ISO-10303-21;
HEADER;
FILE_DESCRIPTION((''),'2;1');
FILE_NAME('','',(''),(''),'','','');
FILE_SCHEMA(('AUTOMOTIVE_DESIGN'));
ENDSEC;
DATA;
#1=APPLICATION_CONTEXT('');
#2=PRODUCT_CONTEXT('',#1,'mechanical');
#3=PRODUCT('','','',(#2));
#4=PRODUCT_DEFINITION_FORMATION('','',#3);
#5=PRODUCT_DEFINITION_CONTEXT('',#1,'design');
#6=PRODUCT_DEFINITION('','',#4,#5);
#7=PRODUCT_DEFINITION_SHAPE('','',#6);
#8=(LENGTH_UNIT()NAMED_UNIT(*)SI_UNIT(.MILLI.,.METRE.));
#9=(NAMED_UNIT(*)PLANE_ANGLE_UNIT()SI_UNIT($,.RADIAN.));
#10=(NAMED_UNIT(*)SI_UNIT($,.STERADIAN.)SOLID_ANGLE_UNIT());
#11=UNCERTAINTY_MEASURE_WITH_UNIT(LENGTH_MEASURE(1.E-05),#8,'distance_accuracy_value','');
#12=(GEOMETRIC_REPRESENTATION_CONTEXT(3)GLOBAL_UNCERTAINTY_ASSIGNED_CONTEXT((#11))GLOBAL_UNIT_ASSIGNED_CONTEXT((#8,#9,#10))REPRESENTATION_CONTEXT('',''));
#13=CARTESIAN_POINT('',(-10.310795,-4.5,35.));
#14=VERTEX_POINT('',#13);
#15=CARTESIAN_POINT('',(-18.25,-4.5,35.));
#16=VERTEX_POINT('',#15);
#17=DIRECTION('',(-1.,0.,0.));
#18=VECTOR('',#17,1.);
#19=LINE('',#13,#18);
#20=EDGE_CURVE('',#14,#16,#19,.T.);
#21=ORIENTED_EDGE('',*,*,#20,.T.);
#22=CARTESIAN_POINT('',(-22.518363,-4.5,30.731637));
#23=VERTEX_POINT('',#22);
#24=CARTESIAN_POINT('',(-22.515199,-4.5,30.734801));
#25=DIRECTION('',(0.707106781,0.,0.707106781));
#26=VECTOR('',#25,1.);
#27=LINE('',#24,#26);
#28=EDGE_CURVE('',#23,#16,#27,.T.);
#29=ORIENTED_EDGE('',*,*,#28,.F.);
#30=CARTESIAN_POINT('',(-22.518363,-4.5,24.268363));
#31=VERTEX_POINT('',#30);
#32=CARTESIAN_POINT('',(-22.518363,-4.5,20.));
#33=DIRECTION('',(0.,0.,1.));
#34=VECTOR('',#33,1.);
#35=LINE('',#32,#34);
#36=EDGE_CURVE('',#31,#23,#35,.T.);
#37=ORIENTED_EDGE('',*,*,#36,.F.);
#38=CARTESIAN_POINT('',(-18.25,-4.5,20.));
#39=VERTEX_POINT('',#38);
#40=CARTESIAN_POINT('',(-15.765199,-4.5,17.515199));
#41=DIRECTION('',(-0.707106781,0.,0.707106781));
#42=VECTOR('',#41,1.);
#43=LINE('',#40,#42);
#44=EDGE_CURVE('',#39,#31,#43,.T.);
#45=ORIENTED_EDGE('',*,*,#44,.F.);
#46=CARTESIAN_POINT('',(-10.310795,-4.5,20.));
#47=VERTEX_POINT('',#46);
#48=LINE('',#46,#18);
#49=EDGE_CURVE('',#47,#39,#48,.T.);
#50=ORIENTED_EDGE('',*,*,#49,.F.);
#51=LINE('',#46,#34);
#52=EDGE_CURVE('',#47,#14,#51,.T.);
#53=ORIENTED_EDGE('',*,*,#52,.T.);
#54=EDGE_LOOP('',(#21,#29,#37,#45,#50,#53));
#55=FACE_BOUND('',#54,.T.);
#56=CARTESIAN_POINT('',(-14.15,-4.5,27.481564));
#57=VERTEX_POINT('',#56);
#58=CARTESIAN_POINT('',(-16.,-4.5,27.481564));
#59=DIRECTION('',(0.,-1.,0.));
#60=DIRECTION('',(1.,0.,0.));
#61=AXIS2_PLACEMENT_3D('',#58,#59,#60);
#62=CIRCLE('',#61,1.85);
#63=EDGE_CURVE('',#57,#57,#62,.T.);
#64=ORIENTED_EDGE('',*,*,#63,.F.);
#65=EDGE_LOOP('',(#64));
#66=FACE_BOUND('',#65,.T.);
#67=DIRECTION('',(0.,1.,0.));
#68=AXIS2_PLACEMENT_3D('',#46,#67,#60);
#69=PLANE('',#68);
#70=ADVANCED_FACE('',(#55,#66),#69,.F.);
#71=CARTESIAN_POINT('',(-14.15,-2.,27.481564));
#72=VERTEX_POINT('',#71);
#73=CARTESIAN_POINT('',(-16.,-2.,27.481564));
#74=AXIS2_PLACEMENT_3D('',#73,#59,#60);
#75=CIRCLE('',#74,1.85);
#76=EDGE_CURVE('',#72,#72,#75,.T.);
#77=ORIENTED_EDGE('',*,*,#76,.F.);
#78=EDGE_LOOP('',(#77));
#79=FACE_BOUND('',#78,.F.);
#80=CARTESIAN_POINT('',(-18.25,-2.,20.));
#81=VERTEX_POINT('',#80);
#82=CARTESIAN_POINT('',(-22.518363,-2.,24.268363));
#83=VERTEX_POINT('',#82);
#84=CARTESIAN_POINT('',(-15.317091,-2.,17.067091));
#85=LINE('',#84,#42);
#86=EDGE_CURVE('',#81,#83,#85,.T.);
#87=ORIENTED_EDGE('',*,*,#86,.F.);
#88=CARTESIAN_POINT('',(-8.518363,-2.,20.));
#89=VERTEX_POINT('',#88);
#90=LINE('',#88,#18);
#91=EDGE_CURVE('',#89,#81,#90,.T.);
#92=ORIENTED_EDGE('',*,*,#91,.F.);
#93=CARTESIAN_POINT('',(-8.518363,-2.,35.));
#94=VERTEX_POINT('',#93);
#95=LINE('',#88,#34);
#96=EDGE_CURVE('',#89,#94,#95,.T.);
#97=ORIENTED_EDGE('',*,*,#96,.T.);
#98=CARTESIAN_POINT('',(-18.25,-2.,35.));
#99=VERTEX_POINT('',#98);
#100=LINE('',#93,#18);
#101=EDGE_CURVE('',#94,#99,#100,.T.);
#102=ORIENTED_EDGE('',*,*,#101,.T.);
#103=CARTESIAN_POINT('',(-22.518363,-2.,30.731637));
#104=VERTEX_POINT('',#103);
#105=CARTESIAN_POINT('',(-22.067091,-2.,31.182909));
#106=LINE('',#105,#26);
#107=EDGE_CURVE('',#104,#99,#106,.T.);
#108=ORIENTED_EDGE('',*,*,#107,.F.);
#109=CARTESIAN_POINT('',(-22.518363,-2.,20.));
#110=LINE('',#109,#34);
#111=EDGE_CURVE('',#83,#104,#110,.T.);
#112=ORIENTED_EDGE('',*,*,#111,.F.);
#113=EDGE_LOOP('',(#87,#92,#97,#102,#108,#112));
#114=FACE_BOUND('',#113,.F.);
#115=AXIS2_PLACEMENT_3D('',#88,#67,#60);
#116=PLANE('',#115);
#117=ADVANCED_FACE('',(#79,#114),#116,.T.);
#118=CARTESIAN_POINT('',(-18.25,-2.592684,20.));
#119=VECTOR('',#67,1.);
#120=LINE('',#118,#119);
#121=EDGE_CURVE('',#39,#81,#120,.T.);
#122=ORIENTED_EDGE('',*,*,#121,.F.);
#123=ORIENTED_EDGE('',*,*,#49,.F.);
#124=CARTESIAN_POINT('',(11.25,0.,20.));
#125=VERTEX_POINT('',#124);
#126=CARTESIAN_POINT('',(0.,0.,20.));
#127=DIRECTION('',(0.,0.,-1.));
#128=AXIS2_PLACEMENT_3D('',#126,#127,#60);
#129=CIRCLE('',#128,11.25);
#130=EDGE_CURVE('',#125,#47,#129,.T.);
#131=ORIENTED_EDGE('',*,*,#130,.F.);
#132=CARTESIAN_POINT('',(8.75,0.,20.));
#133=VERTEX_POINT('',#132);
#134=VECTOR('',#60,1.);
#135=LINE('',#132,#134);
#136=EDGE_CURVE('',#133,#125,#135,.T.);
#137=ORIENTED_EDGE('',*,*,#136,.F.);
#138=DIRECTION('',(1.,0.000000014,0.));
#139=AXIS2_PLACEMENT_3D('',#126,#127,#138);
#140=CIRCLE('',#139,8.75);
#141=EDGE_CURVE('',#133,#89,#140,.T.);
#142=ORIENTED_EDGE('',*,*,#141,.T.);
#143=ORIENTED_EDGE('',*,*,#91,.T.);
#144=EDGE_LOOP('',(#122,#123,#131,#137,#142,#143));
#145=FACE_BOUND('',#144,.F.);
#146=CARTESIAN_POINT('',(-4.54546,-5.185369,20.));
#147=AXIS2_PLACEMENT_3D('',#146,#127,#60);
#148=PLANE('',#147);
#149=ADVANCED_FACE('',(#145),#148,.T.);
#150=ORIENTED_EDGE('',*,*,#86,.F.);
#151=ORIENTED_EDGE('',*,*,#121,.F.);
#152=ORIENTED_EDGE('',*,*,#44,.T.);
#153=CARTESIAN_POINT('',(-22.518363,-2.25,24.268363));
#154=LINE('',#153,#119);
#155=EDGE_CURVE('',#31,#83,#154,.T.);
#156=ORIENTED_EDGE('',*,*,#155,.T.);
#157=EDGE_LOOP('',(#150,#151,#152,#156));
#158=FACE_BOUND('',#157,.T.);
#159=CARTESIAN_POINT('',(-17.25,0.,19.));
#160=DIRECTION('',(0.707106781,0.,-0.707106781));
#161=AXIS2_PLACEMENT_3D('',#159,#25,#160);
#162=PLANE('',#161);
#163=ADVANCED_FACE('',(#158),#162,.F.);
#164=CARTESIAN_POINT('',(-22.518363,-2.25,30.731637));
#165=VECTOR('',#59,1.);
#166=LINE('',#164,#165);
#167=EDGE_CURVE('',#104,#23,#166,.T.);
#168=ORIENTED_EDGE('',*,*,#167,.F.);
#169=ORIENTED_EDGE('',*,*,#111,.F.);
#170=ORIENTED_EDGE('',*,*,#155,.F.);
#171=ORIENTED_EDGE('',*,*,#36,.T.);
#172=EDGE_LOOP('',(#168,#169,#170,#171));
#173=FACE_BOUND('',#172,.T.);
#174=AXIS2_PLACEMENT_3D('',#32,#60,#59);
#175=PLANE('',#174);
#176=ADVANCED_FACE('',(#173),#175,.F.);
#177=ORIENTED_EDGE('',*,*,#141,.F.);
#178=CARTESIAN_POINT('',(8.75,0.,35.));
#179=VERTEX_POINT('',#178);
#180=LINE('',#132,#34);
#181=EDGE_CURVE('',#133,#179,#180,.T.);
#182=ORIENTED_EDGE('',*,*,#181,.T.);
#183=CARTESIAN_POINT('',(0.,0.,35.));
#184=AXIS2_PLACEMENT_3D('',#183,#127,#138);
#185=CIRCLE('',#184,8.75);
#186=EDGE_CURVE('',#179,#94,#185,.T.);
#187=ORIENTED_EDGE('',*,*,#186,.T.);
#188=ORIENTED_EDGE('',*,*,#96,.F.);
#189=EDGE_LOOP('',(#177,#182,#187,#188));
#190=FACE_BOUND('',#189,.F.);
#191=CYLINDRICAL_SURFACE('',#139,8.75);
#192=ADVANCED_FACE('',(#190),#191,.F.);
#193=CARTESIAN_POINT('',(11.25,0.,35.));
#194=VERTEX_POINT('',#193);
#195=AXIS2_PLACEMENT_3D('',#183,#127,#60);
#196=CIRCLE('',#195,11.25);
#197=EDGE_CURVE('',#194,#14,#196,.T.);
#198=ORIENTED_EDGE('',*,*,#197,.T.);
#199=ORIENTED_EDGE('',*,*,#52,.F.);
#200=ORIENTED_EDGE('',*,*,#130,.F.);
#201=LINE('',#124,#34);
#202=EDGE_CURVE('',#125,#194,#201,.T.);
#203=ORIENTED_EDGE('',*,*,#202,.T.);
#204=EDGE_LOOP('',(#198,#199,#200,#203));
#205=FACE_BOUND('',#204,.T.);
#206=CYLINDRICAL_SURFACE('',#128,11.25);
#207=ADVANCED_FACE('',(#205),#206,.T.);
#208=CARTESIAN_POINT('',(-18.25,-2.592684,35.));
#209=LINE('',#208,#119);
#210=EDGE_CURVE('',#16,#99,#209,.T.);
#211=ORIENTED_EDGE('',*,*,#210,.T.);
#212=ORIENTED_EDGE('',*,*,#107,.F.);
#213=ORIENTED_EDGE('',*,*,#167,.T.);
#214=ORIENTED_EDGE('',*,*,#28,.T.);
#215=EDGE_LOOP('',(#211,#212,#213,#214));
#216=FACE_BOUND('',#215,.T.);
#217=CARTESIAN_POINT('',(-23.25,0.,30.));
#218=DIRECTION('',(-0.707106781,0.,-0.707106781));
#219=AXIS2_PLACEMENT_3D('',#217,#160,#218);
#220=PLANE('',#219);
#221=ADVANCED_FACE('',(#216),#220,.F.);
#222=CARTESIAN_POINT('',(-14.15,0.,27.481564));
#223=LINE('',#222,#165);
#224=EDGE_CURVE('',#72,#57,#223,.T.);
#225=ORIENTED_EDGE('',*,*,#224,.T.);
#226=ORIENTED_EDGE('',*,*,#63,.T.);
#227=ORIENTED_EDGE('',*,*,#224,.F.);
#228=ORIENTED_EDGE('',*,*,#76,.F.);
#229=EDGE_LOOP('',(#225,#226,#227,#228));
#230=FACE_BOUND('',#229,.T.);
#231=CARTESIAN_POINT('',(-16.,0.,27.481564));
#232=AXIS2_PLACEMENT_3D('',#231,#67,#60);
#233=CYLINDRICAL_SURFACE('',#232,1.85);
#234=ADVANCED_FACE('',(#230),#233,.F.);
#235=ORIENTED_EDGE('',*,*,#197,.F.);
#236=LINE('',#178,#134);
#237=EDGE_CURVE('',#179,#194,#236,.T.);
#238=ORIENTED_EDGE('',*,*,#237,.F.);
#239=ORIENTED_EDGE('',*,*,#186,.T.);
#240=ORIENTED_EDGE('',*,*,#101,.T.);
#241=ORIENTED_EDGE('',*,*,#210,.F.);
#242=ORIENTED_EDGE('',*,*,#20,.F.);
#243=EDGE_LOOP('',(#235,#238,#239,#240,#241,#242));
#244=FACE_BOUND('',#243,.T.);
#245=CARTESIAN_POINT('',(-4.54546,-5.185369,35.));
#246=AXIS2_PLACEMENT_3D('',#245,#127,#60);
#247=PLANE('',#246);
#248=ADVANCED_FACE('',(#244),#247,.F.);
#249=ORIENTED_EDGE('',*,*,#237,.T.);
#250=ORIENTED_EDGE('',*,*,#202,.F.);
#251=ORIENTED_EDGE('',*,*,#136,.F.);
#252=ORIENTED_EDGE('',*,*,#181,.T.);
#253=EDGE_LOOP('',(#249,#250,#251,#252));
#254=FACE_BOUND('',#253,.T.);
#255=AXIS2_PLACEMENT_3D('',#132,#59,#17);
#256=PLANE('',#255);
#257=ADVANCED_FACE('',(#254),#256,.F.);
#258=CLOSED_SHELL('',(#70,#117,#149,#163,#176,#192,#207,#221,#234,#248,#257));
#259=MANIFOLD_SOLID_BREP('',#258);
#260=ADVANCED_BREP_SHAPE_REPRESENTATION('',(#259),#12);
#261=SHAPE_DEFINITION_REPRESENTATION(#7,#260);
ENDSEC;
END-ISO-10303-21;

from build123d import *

# Parameters (mm, degrees)
SKETCH016_R       = 1.85
EXTRUDE013_DEPTH  = 12
CYLINDER007_R     = 5
CYLINDER007_DEPTH = 1
EXTRUDE012_DEPTH  = 15


with BuildPart() as extrude013:
    # Sketch016 → Extrude013 (new body)
    with BuildSketch(Plane.XZ):
        Polygon((11.75, 36), (11.75, 19), (-17.25, 19), (-23.25, 25), (-23.25, 30), (-17.25, 36), align=None)
        with Locations((-16, 27.481564)):
            Circle(SKETCH016_R, mode=Mode.SUBTRACT)
    extrude(amount=-EXTRUDE013_DEPTH)


with BuildPart() as unprintable:
    # Cylinder007 → Cylinder007 (new body)
    with BuildSketch(Plane(origin=(-16, 18, 27.5), x_dir=(1, 0, 0), z_dir=(0, -1, 0))):
        Circle(CYLINDER007_R)
    extrude(amount=CYLINDER007_DEPTH)


with BuildPart() as body007:
    # Sketch015 → Extrude012 (new body)
    with BuildSketch(Plane.XY.offset(50)):
        with BuildLine():
            ThreePointArc((8.75, 0), (1.006685, 8.691898), (-8.518363, 2))
            Line((-8.518363, 2), (-22.518363, 2))
            Line((-22.518363, 4.5), (-22.518363, 2))
            Line((-10.310795, 4.5), (-22.518363, 4.5))
            ThreePointArc((11.25, 0), (2.298483, 11.012696), (-10.310795, 4.5))
            Line((8.75, 0), (11.25, 0))
        make_face()
    extrude(amount=EXTRUDE012_DEPTH)


with BuildPart() as body007_1:
    # Extrude012 placement: moved
    add(body007.part.moved(Location((0, 0, -30))))

    # Fusion016: union unprintable
    add(unprintable.part)

    # Common001: intersect Extrude013
    add(extrude013.part, mode=Mode.INTERSECT)


with BuildPart() as part_mirroring008:
    # Part__Mirroring008: instance of Body007
    add(body007_1.part.mirror(Plane(origin=(0, 0, 0), x_dir=(1, 0, 0), z_dir=(0, 1, 0))))


solid = part_mirroring008.part
